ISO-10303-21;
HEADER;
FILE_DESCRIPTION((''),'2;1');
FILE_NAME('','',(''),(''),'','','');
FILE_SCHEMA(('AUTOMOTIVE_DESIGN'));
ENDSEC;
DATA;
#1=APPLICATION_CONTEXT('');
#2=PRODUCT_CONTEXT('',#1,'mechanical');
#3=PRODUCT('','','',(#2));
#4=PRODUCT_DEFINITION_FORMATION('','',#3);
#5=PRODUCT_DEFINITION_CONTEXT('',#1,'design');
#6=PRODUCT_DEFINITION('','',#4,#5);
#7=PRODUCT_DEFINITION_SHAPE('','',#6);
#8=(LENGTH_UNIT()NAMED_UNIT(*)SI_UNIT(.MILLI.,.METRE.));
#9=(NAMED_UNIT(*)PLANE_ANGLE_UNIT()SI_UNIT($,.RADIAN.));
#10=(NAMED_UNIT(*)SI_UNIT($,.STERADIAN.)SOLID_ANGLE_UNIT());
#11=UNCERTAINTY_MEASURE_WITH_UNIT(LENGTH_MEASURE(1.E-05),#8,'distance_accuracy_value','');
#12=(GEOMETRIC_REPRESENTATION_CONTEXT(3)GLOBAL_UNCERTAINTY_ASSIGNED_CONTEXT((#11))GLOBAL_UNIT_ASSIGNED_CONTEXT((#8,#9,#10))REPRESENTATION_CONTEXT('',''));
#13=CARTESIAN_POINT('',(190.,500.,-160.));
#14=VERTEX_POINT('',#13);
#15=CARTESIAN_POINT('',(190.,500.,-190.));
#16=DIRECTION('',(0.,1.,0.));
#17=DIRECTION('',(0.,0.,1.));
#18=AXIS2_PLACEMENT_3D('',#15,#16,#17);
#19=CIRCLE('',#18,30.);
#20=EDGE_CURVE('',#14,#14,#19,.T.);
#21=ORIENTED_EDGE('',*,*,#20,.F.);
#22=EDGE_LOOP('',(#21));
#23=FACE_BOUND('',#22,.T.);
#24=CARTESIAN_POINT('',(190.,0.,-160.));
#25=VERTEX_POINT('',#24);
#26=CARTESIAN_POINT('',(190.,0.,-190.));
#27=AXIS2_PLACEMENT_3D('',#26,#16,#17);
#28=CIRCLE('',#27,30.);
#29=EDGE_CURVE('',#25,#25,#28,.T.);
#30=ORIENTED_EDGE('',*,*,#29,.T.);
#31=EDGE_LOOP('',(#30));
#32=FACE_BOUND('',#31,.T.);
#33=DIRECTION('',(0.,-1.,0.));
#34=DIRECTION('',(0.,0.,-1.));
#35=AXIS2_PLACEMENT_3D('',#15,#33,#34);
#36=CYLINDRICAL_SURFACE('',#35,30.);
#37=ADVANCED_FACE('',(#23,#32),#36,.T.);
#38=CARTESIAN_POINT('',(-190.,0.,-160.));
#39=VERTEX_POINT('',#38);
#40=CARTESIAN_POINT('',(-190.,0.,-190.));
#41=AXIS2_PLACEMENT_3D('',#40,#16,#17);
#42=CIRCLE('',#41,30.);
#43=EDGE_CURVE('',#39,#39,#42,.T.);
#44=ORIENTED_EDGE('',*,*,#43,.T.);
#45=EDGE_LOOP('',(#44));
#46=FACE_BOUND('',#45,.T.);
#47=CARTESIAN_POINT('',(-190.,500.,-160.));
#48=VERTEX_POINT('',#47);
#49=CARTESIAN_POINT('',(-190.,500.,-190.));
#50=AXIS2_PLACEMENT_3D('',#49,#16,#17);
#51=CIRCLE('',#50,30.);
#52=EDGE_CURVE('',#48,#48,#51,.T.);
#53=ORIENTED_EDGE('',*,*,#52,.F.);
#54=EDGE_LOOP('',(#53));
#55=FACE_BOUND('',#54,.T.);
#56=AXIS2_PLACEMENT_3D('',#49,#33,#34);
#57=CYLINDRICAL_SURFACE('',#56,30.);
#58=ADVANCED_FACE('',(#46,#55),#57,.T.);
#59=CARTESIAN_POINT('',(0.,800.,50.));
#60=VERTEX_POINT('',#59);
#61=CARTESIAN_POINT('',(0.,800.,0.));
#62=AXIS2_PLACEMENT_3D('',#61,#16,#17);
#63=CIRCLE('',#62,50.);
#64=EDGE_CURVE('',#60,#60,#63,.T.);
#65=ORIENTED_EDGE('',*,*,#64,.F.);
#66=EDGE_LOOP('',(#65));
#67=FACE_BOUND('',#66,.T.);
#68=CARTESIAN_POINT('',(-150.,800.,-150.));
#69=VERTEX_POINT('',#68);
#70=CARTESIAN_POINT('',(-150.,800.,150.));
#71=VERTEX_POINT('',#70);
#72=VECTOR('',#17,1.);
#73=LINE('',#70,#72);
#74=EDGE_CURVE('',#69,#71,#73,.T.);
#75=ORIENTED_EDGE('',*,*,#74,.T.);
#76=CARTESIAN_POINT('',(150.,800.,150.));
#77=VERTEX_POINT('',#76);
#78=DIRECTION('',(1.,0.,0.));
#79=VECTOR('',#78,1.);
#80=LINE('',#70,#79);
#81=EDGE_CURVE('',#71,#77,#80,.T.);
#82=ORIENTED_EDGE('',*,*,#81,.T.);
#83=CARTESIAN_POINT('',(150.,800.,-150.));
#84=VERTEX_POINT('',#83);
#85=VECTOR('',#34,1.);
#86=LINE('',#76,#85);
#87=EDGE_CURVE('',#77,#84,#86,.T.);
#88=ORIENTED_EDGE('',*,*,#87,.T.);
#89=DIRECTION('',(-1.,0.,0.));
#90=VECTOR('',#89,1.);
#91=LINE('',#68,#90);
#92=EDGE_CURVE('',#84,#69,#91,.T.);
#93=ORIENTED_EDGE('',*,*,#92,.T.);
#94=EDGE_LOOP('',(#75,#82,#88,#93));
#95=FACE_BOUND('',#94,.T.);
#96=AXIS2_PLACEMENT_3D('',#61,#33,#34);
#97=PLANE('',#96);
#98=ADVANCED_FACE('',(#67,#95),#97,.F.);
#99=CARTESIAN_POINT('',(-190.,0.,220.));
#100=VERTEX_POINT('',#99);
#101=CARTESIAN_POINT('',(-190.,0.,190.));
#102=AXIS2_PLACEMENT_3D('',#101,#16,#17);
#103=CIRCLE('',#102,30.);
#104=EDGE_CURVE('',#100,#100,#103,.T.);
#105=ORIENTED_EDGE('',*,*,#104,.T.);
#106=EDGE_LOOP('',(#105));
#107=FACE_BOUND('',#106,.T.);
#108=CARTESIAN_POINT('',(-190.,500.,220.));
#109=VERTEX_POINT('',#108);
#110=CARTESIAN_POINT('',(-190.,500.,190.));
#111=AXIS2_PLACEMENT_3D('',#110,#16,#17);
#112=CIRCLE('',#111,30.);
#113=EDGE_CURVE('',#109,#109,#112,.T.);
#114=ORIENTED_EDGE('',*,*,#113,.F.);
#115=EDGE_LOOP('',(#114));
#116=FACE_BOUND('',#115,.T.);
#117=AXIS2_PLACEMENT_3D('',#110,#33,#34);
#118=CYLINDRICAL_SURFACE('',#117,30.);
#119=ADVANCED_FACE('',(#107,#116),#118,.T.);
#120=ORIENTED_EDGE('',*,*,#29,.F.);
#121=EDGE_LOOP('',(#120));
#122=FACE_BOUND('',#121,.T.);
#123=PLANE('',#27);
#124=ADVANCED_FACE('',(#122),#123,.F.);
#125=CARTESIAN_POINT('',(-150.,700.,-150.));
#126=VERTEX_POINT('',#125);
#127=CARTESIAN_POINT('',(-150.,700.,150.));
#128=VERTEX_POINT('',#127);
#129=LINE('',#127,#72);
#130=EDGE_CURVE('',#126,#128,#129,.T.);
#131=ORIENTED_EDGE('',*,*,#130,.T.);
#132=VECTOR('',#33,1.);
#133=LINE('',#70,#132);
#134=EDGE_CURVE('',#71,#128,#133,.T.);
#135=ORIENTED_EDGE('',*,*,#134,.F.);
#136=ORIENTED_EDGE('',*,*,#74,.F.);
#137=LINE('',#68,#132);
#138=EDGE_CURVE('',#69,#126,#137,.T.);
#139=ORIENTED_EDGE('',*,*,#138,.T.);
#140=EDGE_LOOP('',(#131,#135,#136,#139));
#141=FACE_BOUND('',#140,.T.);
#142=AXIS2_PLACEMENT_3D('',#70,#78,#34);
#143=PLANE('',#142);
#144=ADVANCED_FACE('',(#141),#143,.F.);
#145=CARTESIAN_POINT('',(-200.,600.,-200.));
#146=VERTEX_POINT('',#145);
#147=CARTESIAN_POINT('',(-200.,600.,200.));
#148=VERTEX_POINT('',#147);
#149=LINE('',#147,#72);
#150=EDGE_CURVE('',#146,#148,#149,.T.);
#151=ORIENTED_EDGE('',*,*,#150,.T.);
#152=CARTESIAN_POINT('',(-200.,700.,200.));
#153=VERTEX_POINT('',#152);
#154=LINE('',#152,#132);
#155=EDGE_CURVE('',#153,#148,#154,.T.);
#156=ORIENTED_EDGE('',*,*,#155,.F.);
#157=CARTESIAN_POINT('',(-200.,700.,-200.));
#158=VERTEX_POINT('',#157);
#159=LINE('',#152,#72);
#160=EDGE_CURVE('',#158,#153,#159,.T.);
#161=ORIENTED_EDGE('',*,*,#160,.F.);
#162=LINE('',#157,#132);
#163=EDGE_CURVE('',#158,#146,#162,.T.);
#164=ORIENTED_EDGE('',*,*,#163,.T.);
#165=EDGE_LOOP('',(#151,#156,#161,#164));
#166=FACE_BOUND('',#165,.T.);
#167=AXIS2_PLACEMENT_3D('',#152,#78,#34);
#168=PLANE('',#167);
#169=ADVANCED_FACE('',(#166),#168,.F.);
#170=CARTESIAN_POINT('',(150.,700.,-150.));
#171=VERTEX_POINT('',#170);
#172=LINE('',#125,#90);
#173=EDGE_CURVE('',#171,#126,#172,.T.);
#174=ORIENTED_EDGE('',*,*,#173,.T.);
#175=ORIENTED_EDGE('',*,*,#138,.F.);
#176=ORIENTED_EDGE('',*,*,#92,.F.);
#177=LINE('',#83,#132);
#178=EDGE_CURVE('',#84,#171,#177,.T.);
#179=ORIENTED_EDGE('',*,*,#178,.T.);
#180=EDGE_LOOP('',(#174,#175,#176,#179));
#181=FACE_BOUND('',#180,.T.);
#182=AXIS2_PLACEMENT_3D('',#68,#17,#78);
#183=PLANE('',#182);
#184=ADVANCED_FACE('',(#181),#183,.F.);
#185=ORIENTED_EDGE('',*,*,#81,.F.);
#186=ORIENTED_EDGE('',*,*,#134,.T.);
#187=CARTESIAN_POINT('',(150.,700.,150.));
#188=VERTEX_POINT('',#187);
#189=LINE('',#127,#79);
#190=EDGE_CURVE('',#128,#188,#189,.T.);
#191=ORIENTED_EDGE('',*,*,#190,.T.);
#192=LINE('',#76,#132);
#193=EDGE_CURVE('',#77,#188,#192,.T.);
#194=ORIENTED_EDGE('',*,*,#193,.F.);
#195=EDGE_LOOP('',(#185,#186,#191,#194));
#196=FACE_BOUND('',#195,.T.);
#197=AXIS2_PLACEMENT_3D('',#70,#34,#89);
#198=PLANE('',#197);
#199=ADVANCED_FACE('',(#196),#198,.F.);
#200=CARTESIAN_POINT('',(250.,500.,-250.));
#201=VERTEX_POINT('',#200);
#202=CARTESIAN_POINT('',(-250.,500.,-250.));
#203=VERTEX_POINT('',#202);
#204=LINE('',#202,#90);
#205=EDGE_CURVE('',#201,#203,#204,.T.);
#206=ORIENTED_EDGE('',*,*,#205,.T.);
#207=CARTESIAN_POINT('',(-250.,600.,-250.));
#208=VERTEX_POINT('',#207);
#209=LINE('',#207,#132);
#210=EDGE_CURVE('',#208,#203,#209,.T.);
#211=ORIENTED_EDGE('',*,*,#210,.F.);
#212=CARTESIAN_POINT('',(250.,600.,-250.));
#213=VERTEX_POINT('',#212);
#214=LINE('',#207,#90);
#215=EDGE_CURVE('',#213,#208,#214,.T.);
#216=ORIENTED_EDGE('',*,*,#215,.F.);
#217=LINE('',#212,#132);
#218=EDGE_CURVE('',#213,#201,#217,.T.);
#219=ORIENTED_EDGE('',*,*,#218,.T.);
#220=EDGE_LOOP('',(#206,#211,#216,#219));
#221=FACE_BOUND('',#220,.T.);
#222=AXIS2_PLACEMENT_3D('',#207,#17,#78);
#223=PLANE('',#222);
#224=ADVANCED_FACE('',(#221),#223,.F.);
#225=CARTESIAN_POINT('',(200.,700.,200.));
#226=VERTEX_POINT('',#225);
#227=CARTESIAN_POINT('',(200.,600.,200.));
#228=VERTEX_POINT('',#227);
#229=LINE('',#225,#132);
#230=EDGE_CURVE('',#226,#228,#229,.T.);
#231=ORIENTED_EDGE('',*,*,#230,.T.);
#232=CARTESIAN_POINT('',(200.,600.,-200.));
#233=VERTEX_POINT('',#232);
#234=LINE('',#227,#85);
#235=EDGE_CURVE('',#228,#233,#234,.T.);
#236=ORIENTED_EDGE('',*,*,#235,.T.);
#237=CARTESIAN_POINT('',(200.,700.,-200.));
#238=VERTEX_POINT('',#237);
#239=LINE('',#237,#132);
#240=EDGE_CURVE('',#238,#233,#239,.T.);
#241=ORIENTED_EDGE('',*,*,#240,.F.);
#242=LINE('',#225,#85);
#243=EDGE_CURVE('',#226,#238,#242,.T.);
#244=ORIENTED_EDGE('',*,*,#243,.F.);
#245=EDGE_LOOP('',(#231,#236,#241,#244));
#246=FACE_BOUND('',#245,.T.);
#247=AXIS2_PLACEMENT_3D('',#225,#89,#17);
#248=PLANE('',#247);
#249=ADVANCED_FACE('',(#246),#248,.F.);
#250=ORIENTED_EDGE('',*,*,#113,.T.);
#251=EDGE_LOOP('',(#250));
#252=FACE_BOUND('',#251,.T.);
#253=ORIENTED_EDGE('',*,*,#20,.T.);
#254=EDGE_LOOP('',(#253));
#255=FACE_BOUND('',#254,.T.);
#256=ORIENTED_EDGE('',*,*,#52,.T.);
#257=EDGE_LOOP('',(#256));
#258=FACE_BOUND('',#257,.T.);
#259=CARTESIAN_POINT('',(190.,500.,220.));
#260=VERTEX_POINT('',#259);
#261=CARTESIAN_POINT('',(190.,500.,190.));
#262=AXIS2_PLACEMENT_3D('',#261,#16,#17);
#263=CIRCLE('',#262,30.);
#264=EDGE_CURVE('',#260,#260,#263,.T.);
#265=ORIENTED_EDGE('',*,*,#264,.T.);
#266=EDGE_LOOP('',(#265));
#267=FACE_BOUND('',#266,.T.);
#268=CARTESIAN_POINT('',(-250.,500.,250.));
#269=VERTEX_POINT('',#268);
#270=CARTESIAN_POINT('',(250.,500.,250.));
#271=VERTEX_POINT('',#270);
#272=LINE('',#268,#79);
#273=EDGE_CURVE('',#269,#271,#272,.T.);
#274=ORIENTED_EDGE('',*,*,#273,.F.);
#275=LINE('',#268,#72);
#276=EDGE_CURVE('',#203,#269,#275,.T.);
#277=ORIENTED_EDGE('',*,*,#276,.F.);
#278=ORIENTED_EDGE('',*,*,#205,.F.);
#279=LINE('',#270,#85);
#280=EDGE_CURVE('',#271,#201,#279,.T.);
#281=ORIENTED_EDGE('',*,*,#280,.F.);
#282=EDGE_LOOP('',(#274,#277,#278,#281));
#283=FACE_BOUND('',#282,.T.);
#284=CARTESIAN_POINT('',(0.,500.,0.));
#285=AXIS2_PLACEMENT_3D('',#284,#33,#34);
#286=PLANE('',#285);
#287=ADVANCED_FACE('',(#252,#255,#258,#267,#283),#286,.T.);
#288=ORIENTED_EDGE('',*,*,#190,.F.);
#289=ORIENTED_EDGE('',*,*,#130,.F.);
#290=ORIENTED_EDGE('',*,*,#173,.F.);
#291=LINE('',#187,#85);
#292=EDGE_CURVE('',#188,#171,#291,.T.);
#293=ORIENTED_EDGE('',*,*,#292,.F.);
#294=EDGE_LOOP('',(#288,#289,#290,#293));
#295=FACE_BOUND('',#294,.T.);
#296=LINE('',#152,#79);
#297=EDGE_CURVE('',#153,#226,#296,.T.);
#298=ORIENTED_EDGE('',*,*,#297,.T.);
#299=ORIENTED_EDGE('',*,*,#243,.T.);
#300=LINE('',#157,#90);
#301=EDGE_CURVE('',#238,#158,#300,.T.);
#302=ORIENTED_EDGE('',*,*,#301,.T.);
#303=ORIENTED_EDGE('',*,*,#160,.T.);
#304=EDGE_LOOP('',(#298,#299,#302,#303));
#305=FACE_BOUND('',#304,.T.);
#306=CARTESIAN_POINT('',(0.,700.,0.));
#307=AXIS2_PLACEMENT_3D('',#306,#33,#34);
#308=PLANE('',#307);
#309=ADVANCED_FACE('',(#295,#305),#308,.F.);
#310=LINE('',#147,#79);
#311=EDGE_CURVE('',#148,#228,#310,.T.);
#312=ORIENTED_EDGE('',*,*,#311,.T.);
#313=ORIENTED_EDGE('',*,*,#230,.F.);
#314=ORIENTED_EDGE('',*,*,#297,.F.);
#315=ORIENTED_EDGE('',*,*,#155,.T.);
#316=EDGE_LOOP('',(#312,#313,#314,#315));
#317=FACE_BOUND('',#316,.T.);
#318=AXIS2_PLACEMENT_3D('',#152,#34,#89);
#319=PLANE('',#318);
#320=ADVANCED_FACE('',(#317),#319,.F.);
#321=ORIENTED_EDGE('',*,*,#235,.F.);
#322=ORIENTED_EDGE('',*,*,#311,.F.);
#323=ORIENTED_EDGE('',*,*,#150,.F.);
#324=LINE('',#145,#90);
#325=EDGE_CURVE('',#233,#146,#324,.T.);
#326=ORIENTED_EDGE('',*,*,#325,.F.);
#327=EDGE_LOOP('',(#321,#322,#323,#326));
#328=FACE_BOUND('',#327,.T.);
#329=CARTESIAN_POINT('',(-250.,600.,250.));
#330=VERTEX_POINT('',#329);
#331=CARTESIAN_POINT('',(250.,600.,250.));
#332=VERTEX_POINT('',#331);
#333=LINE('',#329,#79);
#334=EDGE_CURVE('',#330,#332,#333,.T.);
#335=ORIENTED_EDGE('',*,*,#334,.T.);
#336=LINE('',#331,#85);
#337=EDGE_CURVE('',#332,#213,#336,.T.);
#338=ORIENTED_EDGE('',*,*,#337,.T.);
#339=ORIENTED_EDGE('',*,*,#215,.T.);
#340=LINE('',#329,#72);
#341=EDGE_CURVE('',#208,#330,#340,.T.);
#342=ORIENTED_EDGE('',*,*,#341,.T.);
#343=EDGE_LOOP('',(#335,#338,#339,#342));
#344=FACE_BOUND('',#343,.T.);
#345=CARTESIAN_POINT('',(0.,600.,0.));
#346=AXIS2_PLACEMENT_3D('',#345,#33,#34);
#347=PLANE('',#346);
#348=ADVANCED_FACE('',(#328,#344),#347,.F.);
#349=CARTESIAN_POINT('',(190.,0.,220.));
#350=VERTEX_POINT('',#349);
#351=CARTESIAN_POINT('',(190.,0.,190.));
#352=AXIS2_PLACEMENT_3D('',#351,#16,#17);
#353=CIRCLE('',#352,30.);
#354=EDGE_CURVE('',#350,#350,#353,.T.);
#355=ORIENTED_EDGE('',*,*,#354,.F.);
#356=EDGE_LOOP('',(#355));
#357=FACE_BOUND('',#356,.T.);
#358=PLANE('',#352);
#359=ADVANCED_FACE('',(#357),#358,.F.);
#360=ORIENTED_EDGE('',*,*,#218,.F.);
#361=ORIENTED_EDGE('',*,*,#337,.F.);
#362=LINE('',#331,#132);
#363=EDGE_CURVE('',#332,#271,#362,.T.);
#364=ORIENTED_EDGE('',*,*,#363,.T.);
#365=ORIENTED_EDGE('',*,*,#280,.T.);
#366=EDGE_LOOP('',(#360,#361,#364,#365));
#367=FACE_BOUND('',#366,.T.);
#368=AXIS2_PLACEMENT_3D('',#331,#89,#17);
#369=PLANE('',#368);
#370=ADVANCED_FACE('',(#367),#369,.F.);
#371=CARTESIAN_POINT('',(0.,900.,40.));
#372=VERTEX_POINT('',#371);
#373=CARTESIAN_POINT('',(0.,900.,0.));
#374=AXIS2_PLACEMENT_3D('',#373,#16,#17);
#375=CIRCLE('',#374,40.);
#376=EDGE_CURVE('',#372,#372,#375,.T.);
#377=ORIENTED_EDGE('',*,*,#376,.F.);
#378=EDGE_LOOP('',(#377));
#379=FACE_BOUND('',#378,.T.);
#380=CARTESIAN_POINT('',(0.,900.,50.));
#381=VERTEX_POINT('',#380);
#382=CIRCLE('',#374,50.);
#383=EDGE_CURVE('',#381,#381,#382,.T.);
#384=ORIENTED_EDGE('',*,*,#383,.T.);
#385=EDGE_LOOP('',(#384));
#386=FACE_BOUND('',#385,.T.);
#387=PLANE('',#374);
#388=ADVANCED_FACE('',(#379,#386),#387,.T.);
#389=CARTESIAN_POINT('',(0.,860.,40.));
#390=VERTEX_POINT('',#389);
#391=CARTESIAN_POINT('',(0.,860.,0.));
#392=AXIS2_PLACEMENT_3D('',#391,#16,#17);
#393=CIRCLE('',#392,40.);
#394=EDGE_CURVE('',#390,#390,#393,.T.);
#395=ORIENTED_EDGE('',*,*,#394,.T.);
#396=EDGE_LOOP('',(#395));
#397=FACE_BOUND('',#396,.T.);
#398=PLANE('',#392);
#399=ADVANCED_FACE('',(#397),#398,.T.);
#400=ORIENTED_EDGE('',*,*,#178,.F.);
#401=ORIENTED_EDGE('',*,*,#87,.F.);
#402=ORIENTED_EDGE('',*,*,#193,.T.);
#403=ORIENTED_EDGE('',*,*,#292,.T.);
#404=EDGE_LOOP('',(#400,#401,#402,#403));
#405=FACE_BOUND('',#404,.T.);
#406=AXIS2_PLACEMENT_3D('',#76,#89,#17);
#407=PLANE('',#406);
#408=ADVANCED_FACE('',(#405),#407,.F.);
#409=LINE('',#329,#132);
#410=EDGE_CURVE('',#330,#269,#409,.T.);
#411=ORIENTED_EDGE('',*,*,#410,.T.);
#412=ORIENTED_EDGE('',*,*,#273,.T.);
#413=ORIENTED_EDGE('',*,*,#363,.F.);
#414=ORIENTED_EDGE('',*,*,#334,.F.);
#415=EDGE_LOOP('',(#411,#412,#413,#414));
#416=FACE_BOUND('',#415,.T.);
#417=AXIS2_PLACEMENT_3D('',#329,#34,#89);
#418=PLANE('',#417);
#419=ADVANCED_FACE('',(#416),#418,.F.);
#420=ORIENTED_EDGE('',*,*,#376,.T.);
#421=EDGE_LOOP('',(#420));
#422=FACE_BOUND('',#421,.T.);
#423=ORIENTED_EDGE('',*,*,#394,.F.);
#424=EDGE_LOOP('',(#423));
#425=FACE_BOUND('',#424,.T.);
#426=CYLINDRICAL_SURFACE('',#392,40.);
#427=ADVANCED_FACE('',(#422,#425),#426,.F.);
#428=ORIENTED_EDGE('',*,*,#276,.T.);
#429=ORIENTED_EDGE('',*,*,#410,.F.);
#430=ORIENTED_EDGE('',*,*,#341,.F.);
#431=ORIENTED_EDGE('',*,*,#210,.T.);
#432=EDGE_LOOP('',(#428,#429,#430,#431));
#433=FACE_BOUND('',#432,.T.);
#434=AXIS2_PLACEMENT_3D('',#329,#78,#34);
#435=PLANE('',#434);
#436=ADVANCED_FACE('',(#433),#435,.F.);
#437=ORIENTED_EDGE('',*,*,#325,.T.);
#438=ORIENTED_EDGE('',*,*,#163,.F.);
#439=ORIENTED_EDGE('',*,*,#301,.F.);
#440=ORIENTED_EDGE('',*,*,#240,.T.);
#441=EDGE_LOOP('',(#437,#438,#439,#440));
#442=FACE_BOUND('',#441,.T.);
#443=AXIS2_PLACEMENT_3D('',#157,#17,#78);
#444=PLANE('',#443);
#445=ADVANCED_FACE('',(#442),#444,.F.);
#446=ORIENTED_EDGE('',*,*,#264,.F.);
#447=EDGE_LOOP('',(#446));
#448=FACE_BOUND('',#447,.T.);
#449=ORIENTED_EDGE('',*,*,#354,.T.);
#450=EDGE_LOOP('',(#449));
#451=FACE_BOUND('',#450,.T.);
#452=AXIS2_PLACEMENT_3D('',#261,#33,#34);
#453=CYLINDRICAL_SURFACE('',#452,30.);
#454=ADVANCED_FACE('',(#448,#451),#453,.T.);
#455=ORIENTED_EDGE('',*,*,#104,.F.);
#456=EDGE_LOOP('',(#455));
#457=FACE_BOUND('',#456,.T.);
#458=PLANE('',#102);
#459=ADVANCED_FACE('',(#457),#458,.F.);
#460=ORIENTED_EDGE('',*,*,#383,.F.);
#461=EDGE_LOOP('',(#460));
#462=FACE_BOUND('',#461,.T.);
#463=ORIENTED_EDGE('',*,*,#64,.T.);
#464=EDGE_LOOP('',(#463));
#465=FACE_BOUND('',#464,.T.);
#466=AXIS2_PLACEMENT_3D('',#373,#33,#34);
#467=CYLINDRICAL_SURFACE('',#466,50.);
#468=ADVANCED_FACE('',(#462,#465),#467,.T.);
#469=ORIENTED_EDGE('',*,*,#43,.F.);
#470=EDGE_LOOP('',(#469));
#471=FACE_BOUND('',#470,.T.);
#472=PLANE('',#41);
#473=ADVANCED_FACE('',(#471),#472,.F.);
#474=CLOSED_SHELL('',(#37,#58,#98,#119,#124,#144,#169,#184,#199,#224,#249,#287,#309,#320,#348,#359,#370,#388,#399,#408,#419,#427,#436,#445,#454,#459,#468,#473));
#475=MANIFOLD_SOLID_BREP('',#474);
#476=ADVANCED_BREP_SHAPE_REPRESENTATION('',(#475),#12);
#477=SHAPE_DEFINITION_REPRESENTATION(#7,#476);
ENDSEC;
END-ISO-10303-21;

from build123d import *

# Parameters (mm, degrees)
SKETCH1_R             = 30
BOSS_EXTRUDE1_DEPTH   = 500
BOSS_EXTRUDE1_2_DEPTH = 500
BOSS_EXTRUDE1_3_DEPTH = 500
BOSS_EXTRUDE1_4_DEPTH = 500
SKETCH2_W             = 500
SKETCH2_H             = 500
BOSS_EXTRUDE2_DEPTH   = 100
SKETCH3_W             = 400
SKETCH3_H             = 400
BOSS_EXTRUDE3_DEPTH   = 100
SKETCH4_W             = 300
SKETCH4_H             = 300
BOSS_EXTRUDE4_DEPTH   = 100
SKETCH5_R             = 50
BOSS_EXTRUDE5_DEPTH   = 100
SKETCH6_R             = 40
CUT_EXTRUDE1_DEPTH    = 40


with BuildPart() as part:
    # Sketch1 → Boss-Extrude1 (new body)
    with BuildSketch(Plane(origin=(0, 0, 0), x_dir=(1, 0, 0), z_dir=(0, 1, 0))):
        with Locations(Location((-190, -190, 0), (0, 0, 270))):
            Circle(SKETCH1_R)
    extrude(amount=BOSS_EXTRUDE1_DEPTH)



with BuildPart() as body_2:
    # Sketch1 → Boss-Extrude1 2 (new body)
    with BuildSketch(Plane(origin=(0, 0, 0), x_dir=(1, 0, 0), z_dir=(0, 1, 0))):
        with Locations(Location((-190, 190, 0), (0, 0, 270))):
            Circle(SKETCH1_R)
    extrude(amount=BOSS_EXTRUDE1_2_DEPTH)


with BuildPart() as body_3:
    # Sketch1 → Boss-Extrude1 3 (new body)
    with BuildSketch(Plane(origin=(0, 0, 0), x_dir=(1, 0, 0), z_dir=(0, 1, 0))):
        with Locations(Location((190, 190, 0), (0, 0, 270))):
            Circle(SKETCH1_R)
    extrude(amount=BOSS_EXTRUDE1_3_DEPTH)


with BuildPart() as body_4:
    # Sketch1 → Boss-Extrude1 4 (new body)
    with BuildSketch(Plane(origin=(0, 0, 0), x_dir=(1, 0, 0), z_dir=(0, 1, 0))):
        with Locations(Location((190, -190, 0), (0, 0, 270))):
            Circle(SKETCH1_R)
    extrude(amount=BOSS_EXTRUDE1_4_DEPTH)


with BuildPart() as part_1:
    add(part.part)

    add(body_2.part)  # Boss-Extrude2 merges body 2

    add(body_3.part)  # Boss-Extrude2 merges body 3

    add(body_4.part)  # Boss-Extrude2 merges body 4
    # Sketch2 → Boss-Extrude2 (add)
    with BuildSketch(Plane(origin=(0, 500, 0), x_dir=(1, 0, 0), z_dir=(0, 1, 0))):
        Rectangle(SKETCH2_W, SKETCH2_H)
    extrude(amount=BOSS_EXTRUDE2_DEPTH)

    # Sketch3 → Boss-Extrude3 (add)
    with BuildSketch(Plane(origin=(0, 600, 0), x_dir=(1, 0, 0), z_dir=(0, 1, 0))):
        Rectangle(SKETCH3_W, SKETCH3_H)
    extrude(amount=BOSS_EXTRUDE3_DEPTH)

    # Sketch4 → Boss-Extrude4 (add)
    with BuildSketch(Plane(origin=(0, 700, 0), x_dir=(1, 0, 0), z_dir=(0, 1, 0))):
        Rectangle(SKETCH4_W, SKETCH4_H)
    extrude(amount=BOSS_EXTRUDE4_DEPTH)

    # Sketch5 → Boss-Extrude5 (add)
    with BuildSketch(Plane(origin=(0, 800, 0), x_dir=(1, 0, 0), z_dir=(0, 1, 0))):
        with Locations(Location((0, 0, 0), (0, 0, 270))):
            Circle(SKETCH5_R)
    extrude(amount=BOSS_EXTRUDE5_DEPTH)

    # Sketch6 → Cut-Extrude1 (cut)
    with BuildSketch(Plane(origin=(0, 900, 0), x_dir=(1, 0, 0), z_dir=(0, 1, 0))):
        with Locations(Location((0, 0, 0), (0, 0, 270))):
            Circle(SKETCH6_R)
    extrude(amount=-CUT_EXTRUDE1_DEPTH, mode=Mode.SUBTRACT)


solid = part_1.part
